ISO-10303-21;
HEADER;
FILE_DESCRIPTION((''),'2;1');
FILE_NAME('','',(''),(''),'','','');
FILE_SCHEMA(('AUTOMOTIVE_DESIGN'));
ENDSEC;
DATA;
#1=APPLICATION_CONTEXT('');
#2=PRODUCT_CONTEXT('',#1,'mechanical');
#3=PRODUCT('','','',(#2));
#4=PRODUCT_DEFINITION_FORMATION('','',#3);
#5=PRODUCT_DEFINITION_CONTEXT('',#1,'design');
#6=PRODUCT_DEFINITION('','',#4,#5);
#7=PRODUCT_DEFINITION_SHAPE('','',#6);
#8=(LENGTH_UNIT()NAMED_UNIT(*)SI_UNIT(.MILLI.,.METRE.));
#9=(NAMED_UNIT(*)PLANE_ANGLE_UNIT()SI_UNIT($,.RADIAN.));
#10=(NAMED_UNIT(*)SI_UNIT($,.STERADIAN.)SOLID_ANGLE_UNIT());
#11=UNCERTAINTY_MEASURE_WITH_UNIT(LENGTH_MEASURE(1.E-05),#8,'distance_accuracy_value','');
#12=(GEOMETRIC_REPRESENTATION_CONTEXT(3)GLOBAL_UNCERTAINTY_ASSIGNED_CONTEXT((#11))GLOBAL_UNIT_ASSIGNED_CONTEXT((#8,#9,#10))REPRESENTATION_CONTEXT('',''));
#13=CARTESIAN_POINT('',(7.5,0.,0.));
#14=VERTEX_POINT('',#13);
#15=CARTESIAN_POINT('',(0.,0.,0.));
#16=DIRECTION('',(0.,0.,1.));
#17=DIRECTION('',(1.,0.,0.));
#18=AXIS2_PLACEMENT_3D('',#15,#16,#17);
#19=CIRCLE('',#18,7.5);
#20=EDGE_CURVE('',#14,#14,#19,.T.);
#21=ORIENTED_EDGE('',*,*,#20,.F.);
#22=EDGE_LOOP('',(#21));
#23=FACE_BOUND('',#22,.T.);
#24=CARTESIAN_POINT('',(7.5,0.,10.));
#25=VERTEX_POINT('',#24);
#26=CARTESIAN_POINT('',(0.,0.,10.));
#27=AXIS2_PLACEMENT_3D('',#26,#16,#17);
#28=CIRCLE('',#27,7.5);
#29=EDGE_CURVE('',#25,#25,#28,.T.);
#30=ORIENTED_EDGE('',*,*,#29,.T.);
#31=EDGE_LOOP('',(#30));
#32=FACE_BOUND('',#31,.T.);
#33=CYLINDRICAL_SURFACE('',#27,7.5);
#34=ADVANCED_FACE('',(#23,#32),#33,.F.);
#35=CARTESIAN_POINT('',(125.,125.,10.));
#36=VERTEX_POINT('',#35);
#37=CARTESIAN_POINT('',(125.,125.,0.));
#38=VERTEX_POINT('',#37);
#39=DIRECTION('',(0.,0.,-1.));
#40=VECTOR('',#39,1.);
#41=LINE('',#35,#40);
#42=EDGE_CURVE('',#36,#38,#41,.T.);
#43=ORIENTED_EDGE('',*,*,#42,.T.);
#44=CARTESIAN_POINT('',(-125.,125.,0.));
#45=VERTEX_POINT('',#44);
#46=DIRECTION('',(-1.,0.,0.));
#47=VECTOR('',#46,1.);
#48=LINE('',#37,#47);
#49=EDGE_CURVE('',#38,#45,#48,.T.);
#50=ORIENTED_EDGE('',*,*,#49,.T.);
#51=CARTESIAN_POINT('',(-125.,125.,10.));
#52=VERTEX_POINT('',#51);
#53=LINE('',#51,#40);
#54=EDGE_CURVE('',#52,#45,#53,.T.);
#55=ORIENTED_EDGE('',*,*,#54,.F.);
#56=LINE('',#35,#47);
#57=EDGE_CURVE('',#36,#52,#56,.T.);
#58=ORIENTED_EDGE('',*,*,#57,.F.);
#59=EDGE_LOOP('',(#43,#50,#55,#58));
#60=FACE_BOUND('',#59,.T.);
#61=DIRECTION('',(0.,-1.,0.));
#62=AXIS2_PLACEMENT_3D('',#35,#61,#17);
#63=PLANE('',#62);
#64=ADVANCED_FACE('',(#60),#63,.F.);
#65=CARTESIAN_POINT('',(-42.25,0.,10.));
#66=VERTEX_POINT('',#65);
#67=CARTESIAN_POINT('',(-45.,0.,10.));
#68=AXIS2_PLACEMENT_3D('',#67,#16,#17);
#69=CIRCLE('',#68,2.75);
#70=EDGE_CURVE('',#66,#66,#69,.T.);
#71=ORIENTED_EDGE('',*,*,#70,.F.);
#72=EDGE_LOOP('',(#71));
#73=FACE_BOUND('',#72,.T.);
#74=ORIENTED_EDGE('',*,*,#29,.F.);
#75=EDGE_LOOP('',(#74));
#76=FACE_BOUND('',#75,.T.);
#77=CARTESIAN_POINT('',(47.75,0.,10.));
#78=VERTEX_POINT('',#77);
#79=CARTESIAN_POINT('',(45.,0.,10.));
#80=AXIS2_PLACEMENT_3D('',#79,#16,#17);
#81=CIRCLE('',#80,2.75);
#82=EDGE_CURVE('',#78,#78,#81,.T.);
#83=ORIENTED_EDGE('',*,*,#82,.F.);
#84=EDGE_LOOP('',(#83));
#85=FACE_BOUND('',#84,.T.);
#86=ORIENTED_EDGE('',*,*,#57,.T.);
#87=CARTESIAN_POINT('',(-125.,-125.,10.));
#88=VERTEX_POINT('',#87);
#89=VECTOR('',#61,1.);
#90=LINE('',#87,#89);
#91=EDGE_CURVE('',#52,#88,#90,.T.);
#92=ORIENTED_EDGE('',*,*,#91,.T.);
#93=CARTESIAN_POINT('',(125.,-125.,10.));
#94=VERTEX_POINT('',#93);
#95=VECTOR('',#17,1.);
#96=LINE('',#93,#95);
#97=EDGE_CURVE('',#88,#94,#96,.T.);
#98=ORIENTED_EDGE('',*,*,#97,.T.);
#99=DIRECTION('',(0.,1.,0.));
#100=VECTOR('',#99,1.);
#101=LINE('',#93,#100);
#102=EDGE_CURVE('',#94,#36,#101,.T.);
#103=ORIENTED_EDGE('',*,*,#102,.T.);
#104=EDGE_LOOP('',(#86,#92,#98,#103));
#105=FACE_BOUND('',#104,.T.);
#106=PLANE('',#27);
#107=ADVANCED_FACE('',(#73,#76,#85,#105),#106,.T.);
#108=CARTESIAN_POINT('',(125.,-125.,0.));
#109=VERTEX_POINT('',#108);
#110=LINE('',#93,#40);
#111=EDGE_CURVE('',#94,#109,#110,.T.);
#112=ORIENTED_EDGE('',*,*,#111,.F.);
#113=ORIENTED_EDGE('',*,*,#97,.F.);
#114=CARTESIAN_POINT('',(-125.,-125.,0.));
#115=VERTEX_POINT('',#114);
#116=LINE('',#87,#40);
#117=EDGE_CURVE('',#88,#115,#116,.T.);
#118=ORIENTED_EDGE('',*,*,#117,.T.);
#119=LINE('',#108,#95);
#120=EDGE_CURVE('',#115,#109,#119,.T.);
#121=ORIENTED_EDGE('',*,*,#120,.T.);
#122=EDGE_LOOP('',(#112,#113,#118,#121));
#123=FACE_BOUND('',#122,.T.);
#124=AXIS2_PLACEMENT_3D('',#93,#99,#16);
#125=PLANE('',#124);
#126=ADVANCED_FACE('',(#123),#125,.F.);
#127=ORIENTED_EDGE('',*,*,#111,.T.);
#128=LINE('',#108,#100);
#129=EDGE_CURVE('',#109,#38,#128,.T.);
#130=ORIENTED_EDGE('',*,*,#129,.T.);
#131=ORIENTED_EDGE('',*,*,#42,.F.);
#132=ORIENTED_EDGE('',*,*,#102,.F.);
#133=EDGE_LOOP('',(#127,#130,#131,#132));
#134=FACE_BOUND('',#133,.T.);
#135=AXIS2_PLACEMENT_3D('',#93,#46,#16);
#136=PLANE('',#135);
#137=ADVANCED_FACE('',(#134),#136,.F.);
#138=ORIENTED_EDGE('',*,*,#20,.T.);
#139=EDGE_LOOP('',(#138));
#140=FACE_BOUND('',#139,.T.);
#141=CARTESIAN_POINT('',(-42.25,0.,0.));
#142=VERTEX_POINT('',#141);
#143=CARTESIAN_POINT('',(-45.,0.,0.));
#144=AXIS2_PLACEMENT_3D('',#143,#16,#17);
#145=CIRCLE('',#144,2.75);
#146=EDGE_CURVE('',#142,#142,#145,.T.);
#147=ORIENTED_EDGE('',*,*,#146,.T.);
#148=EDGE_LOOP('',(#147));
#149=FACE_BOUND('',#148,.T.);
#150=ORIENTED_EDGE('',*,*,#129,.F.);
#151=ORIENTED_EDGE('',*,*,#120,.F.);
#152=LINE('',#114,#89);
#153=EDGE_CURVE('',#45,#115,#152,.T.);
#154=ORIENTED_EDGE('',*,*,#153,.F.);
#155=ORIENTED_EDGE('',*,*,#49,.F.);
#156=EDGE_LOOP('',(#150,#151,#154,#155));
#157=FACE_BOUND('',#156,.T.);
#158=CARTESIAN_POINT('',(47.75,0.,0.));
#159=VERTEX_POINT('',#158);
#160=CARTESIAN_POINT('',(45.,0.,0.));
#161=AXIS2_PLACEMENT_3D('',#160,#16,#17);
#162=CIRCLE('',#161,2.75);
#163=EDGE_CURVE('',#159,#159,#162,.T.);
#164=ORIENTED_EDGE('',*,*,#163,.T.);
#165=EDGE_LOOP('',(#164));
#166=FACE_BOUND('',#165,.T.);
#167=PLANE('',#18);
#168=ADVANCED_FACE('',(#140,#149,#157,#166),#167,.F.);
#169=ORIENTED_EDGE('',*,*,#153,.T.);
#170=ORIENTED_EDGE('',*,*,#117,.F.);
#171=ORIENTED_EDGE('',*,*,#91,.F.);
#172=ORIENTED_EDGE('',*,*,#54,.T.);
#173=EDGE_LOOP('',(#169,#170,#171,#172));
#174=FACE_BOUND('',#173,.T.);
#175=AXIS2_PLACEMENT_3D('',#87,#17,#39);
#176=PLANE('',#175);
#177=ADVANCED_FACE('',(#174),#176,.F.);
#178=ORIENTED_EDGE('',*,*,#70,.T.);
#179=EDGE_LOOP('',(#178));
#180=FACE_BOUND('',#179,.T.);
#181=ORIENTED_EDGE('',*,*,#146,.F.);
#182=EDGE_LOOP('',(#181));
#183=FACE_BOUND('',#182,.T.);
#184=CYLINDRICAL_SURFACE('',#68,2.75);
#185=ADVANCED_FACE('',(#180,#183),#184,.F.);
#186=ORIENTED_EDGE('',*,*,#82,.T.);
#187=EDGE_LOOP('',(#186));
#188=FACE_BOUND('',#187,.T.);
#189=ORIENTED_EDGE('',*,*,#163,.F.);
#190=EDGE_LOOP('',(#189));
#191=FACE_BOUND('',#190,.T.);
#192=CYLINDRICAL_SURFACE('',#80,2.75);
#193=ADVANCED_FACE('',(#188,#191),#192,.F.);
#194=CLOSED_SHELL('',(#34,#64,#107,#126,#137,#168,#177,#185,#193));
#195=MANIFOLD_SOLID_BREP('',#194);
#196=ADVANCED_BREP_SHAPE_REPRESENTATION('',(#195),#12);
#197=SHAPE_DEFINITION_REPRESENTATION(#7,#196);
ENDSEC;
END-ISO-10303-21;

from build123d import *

# Parameters (mm, degrees)
SKIZZE1_W                        = 250
SKIZZE1_H                        = 250
AUFSATZ_LINEAR_AUSTRAGEN1_DEPTH  = 10
F_5_5_5_5_DURCHMESSER_BOHRUNG1_D = 5.5
F_15_0_15_DURCHMESSER_BOHRUNG1_D = 15


with BuildPart() as part:
    # Skizze1 → Aufsatz-Linear austragen1 (new body)
    with BuildSketch(Plane.XY):
        Rectangle(SKIZZE1_W, SKIZZE1_H)
    extrude(amount=AUFSATZ_LINEAR_AUSTRAGEN1_DEPTH)

    # Ø5.5 (5.5) Durchmesser Bohrung1 (through all)
    with Locations(Plane.XY.offset(10)):
        with Locations((45, 0), (-45, 0)):
            Hole(F_5_5_5_5_DURCHMESSER_BOHRUNG1_D / 2)

    # Ø15.0 (15) Durchmesser Bohrung1 (through all)
    with Locations(Plane.XY.offset(10)):
        with Locations((0, 0)):
            Hole(F_15_0_15_DURCHMESSER_BOHRUNG1_D / 2)


solid = part.part
